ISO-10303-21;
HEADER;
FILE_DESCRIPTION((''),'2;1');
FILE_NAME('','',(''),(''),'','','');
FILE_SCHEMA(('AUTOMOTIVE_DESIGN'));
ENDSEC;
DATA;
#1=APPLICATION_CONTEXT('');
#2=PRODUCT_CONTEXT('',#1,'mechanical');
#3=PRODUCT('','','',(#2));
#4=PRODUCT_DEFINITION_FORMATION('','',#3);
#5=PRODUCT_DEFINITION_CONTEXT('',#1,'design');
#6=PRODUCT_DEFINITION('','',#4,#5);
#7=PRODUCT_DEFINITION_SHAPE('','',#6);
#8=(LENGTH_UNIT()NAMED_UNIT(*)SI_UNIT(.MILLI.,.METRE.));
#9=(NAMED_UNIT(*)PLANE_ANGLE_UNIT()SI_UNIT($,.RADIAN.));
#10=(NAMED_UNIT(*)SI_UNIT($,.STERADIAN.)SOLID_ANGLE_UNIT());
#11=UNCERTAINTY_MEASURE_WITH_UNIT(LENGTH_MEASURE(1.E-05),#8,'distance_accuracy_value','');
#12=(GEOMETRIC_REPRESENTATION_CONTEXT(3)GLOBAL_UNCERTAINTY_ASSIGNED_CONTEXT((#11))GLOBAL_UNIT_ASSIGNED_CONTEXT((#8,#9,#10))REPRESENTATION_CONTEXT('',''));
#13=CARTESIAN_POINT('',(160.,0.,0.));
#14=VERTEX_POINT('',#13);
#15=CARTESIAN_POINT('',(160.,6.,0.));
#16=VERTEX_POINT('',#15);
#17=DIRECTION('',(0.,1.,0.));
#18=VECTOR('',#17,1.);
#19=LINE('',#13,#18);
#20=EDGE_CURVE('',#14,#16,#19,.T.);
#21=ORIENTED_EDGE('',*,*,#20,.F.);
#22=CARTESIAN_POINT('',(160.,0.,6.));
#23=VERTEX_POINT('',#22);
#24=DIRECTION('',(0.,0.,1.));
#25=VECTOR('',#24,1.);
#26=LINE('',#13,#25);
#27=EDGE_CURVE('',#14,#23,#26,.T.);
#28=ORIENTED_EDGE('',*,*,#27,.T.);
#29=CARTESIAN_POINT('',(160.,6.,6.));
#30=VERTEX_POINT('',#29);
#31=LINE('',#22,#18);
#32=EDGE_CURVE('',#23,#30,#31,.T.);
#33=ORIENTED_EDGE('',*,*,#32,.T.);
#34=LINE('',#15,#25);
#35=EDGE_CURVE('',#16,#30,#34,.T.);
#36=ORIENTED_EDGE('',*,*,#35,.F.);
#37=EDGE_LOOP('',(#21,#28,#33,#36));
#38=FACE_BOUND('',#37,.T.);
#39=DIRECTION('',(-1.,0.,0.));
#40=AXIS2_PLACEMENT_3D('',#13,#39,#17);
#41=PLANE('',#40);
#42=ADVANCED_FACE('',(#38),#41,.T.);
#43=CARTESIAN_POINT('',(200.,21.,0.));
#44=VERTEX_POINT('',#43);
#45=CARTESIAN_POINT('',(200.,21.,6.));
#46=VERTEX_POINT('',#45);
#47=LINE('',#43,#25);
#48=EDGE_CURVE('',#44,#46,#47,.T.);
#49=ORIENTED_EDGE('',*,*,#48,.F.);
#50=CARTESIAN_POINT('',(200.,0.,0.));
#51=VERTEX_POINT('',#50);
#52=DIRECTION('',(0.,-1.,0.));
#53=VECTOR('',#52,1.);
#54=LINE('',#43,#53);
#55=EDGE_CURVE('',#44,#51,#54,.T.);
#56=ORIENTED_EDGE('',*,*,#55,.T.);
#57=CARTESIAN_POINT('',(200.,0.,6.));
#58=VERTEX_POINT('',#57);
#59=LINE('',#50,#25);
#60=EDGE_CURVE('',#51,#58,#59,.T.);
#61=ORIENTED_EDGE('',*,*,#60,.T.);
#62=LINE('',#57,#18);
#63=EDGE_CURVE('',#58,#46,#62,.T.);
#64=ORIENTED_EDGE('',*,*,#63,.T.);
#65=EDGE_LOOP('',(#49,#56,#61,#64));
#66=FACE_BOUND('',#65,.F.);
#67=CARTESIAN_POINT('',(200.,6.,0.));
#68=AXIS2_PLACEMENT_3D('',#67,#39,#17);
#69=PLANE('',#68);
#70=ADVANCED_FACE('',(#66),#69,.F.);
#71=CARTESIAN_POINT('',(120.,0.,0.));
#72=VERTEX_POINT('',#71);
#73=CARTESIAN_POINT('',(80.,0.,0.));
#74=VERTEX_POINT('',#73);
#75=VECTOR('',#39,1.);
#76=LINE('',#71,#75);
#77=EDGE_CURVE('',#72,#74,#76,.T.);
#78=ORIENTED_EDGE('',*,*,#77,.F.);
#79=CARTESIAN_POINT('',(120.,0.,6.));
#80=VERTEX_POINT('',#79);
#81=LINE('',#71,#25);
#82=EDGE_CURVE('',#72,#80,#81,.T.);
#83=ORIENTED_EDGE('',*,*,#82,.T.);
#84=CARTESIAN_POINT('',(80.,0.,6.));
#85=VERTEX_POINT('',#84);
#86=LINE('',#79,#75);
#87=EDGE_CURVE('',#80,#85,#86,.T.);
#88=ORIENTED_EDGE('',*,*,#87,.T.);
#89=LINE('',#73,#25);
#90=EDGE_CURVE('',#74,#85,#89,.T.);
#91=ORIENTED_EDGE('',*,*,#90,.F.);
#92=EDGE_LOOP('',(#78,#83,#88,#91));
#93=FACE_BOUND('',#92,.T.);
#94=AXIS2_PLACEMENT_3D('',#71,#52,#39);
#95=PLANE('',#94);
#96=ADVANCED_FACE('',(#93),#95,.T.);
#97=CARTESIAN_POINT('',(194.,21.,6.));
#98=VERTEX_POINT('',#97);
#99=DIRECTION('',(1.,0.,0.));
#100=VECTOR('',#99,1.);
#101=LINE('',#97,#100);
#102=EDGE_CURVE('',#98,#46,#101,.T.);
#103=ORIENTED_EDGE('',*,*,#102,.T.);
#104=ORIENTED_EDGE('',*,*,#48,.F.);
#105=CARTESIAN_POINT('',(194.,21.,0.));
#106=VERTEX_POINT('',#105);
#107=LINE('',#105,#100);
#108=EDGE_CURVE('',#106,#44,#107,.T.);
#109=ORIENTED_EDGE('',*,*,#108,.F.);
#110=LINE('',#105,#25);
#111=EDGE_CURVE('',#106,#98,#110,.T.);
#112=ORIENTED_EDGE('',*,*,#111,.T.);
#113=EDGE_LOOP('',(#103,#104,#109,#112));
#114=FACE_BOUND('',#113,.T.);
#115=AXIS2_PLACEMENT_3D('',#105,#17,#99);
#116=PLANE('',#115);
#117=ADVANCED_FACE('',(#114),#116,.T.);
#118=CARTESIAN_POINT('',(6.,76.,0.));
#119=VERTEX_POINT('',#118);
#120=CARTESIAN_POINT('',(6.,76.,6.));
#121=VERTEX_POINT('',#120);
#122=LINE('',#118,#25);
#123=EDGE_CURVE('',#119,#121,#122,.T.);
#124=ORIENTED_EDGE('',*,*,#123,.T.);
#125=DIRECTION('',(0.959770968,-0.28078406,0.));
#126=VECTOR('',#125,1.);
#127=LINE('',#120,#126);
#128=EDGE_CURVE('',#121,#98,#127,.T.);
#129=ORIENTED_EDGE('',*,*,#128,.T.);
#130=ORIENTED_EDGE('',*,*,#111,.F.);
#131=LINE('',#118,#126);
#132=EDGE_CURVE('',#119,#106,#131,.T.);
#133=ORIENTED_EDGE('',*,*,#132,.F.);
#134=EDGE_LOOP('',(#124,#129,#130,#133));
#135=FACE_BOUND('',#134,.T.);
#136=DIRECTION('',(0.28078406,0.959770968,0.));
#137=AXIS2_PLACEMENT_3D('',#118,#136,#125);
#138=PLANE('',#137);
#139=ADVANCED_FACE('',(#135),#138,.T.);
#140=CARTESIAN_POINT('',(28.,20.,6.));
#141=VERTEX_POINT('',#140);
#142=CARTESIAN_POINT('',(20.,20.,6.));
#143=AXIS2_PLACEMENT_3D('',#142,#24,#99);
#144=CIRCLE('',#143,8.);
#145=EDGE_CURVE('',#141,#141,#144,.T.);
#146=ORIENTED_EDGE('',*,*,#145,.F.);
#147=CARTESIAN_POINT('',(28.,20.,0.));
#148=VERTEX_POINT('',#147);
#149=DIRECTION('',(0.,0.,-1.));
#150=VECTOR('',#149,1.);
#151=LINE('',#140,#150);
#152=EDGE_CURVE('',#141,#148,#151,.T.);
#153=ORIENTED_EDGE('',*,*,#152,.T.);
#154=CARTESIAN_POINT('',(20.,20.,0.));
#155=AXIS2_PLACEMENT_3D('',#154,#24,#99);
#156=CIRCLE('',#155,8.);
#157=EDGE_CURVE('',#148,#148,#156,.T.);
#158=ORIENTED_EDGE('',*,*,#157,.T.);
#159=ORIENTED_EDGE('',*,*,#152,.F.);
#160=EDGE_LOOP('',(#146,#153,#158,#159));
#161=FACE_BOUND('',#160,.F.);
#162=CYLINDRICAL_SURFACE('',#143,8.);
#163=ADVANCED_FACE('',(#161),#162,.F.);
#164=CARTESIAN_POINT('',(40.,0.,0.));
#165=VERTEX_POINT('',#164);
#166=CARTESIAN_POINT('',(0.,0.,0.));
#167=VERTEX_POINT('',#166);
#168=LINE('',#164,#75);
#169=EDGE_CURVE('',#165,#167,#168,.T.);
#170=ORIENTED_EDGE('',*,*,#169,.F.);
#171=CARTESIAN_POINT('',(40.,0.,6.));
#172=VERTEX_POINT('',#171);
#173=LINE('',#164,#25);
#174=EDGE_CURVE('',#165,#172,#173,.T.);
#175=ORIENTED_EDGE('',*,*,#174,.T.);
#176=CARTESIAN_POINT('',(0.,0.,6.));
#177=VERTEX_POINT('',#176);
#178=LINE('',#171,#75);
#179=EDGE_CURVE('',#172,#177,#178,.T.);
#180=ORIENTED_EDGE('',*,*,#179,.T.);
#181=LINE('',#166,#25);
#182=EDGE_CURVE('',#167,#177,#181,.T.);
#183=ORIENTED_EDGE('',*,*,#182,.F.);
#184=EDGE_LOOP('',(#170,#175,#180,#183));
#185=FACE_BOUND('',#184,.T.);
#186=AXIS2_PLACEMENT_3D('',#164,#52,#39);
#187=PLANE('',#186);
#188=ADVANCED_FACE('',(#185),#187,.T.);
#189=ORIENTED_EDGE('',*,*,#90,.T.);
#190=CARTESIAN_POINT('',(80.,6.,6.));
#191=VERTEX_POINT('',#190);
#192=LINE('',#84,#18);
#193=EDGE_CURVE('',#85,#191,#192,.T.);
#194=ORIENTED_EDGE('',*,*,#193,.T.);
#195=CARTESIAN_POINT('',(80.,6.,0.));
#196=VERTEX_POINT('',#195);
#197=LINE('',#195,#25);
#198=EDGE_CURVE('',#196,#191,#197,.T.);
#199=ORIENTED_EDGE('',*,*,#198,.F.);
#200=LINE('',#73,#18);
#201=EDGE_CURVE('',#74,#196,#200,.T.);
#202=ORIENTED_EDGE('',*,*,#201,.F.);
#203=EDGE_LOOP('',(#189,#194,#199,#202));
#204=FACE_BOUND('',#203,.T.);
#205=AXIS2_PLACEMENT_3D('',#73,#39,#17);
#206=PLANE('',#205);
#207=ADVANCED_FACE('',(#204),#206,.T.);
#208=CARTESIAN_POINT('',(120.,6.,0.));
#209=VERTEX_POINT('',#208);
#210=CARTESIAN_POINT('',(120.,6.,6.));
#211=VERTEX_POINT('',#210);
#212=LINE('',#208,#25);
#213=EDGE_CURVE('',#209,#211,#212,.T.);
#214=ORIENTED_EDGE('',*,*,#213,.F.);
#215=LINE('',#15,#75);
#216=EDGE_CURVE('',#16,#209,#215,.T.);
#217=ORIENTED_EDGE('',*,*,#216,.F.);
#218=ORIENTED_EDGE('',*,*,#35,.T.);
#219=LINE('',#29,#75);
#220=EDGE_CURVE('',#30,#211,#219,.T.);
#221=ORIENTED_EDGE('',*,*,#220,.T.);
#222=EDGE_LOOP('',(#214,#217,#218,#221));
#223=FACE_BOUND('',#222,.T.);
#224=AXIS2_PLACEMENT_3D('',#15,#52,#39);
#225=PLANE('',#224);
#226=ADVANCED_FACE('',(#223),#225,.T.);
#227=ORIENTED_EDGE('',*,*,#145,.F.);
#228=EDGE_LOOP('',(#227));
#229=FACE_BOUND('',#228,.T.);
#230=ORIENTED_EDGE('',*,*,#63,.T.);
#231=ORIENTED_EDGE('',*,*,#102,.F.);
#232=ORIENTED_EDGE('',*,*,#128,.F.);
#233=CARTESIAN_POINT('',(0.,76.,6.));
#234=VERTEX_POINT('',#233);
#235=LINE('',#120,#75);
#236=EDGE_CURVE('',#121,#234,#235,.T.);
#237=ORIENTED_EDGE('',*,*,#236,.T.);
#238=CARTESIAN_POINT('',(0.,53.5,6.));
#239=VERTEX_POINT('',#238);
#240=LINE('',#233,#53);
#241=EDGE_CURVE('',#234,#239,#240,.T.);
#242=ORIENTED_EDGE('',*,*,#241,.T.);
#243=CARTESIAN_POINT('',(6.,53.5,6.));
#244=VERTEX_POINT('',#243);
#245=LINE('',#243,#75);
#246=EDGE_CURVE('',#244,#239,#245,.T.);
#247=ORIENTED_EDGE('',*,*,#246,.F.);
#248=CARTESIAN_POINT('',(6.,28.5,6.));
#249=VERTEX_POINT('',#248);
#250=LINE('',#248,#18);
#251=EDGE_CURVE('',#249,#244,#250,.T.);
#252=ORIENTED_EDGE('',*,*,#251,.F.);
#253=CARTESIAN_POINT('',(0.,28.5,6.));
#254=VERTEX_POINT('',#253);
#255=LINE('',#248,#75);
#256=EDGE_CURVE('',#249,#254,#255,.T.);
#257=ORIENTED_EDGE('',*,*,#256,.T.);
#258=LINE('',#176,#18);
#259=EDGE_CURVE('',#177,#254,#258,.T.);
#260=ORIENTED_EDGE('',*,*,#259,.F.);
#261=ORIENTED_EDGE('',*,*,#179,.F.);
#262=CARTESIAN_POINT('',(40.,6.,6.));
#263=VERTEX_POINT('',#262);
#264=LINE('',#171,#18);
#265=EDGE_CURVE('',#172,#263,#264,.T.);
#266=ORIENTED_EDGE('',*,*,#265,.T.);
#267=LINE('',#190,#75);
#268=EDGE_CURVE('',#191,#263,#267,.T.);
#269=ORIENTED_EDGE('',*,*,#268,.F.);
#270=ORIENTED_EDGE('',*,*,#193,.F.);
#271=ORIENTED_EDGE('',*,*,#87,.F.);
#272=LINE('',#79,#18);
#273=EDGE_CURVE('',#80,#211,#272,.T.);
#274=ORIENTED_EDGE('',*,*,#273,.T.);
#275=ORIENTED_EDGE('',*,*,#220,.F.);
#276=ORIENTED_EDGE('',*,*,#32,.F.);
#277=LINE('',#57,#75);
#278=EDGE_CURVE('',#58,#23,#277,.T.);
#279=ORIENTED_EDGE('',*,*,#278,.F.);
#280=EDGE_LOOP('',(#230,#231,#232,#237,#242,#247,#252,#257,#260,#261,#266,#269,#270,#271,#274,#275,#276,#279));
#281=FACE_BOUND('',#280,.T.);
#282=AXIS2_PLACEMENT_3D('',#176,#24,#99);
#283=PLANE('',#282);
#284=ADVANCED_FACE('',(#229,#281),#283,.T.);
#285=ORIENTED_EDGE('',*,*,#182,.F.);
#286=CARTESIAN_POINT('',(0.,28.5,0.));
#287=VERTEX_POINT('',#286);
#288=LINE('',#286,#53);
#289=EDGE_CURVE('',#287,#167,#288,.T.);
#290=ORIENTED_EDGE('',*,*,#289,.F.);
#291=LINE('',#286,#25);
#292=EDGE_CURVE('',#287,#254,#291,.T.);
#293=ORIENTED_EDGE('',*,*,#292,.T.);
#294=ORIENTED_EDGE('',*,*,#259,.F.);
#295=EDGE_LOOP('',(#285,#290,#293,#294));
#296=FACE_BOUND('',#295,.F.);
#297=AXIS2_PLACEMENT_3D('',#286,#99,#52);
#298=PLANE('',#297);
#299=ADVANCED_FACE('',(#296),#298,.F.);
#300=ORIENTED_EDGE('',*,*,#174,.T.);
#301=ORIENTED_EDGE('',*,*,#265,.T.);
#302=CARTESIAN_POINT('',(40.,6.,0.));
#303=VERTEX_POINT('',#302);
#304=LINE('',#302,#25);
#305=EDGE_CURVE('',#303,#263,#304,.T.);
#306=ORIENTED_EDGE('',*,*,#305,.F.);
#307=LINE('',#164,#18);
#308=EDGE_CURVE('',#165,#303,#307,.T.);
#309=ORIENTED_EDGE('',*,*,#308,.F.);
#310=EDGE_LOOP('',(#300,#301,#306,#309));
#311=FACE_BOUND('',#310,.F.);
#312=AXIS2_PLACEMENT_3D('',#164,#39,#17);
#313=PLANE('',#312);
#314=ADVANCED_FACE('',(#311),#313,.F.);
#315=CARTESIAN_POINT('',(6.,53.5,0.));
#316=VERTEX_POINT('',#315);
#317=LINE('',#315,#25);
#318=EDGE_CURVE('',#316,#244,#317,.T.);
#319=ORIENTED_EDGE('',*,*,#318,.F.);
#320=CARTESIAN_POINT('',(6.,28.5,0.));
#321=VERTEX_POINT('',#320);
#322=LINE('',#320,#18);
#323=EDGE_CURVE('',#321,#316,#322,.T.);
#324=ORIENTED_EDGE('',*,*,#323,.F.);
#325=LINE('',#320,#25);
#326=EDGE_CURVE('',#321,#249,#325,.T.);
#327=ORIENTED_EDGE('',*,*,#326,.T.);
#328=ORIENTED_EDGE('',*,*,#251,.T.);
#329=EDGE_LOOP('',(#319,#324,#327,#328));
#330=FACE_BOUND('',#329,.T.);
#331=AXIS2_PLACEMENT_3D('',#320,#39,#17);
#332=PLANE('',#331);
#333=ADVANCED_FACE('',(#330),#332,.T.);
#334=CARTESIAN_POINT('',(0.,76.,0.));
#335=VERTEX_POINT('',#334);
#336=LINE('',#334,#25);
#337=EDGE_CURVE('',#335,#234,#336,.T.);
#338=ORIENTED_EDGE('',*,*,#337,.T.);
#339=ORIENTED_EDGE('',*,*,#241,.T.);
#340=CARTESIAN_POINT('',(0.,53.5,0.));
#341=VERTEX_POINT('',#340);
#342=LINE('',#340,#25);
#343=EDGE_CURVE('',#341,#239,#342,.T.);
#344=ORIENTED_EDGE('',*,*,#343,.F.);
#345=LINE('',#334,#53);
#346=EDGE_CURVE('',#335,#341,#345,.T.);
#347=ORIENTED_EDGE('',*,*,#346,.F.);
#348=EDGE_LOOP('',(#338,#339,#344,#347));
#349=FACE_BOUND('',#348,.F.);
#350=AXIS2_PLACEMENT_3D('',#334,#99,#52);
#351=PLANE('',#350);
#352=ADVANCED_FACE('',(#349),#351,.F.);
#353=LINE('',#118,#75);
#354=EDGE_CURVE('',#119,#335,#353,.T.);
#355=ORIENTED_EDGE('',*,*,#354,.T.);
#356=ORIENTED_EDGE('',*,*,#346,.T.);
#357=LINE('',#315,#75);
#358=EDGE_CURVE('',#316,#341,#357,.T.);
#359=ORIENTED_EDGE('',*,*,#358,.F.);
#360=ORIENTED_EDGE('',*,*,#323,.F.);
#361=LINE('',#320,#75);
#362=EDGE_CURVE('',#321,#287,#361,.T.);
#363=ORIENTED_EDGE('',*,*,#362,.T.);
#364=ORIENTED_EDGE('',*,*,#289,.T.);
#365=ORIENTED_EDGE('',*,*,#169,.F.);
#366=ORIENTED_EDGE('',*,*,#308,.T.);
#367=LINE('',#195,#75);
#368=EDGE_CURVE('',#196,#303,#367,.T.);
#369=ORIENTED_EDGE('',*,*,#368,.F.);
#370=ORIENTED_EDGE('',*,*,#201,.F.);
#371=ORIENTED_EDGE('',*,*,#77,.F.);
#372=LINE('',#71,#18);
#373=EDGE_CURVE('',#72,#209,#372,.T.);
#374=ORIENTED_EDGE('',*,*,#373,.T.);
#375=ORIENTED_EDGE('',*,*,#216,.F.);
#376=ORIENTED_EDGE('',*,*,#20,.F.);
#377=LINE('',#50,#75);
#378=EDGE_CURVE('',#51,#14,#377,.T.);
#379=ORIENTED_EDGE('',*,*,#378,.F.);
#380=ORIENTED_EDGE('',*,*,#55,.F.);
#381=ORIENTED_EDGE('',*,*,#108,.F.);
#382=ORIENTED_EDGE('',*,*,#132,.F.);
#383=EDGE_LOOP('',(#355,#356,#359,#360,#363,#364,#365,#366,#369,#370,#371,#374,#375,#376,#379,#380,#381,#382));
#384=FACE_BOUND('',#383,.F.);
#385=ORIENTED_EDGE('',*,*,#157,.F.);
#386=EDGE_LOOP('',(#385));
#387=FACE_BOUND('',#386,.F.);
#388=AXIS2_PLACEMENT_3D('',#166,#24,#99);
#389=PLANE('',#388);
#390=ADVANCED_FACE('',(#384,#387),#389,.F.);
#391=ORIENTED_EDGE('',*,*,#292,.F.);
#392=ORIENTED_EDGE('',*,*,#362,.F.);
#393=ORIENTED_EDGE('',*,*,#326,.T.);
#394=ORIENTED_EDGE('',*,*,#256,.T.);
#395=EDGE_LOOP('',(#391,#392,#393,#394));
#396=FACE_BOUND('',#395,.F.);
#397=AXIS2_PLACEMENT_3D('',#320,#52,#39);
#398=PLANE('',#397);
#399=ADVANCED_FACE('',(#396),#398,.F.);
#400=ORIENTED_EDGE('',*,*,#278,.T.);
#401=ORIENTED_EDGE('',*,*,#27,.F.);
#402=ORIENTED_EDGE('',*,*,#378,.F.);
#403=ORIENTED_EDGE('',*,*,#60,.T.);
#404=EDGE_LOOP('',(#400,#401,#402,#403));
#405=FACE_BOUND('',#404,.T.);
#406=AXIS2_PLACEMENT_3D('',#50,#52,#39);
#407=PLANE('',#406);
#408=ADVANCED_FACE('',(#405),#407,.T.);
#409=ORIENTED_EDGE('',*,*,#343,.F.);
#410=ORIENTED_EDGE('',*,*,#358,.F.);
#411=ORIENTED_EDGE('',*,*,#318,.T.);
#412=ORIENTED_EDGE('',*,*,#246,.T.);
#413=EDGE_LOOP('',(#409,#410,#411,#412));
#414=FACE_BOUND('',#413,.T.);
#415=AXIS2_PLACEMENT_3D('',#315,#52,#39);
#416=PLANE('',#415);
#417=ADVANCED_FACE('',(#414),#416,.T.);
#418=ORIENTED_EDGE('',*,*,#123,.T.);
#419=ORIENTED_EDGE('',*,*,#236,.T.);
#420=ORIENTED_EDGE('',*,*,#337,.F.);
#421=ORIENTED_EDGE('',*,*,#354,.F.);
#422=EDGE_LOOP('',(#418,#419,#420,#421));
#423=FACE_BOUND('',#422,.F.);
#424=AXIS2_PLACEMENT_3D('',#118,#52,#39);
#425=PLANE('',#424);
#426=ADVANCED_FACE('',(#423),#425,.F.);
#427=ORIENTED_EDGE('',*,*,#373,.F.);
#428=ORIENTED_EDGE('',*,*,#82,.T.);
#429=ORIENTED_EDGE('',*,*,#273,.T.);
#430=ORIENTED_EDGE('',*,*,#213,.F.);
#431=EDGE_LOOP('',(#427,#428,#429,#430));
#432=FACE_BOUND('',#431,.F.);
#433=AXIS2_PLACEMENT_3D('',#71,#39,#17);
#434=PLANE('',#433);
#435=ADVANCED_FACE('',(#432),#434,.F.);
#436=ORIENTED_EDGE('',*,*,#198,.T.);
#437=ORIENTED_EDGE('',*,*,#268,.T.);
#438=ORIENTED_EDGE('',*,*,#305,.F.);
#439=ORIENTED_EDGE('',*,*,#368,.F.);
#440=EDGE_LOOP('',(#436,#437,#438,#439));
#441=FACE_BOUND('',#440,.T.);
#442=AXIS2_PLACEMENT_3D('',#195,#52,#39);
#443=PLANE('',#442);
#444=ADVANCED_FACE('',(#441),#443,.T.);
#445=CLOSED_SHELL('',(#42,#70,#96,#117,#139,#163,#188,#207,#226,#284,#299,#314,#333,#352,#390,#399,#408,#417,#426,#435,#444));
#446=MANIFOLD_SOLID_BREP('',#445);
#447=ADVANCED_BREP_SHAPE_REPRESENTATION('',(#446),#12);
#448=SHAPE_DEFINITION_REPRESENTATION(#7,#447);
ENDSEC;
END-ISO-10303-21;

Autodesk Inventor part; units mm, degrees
ref_plane "YZ Plane" through (0, 0, 0) normal (1, 0, 0) x (0, 1, 0)
ref_plane "XZ Plane" through (0, 0, 0) normal (0, 1, 0) x (-1, 0, 0)
ref_plane "XY Plane" through (0, 0, 0) normal (0, 0, 1) x (1, 0, 0)
ref_plane "Work Plane1" through (0, 0, 0) normal (0, 0, 1) x (1, 0, 0)
sketch "Sketch1" plane through (0, 0, 0) normal (0, 0, 1) x (1, 0, 0)
  line L0 (0, 6) -> (40, 6)
  line L1 (0, 0) -> (0, 6)
  line L2 (40, 0) -> (0, 0)
  line L3 (40, 0) -> (40, 6)
  line L4 (80, 0) -> (80, 6)
  line L5 (80, 6) -> (40, 6)
  line L6 (40, 6) -> (40, 0)
  line L7 (40, 0) -> (80, 0)
  line L8 (80, 6) -> (120, 6)
  line L9 (80, 0) -> (80, 6)
  line L10 (120, 0) -> (80, 0)
  line L11 (120, 0) -> (120, 6)
  line L12 (160, 0) -> (160, 6)
  line L13 (160, 6) -> (120, 6)
  line L14 (120, 6) -> (120, 0)
  line L15 (120, 0) -> (160, 0)
  line L16 (160, 6) -> (200, 6)
  line L17 (160, 0) -> (160, 6)
  line L18 (200, 0) -> (160, 0)
  line L19 (200, 6) -> (200, 0)
  line L20 (200, 6) -> (200, 21)
  line L21 (194, 21) -> (200, 21)
  line L22 (194, 21) -> (194, 6)
  line L23 (194, 6) -> (200, 6)
  line L24 (6, 28.5) -> (0, 28.5)
  line L25 (0, 28.5) -> (0, 6)
  line L26 (6, 6) -> (0, 6)
  line L27 (6, 6) -> (6, 28.5)
  line L28 (0, 53.5) -> (0, 28.5)
  line L29 (6, 28.5) -> (0, 28.5)
  line L30 (6, 28.5) -> (6, 53.5)
  line L31 (6, 53.5) -> (0, 53.5)
  line L32 (6, 53.5) -> (0, 53.5)
  line L33 (6, 53.5) -> (6, 76)
  line L34 (6, 76) -> (0, 76)
  line L35 (0, 76) -> (0, 53.5)
  line L36 (6, 76) -> (194, 21)
extrude "Plate1" add sketch "Sketch1" along normal blind 6 contours L25 L24 L27 L0 | L0 L3 L2 L1 | L27 L30 L33 L36 L22 L16 L13 L8 L5 L0 | L35 L34 L33 L31 | L8 L11 L10 L4 | L16 L19 L18 L12 | L21 L20 L16 L22
sketch "Sketch2" plane through (0, 0, 6) normal (0, 0, 1) x (1, 0, 0)
  line L0 (0, 0) -> (0, 28.5) projected
  line L1 (40, 0) -> (0, 0) projected
  line L2 (40, 6) -> (40, 0) projected
  line L3 (80, 6) -> (40, 6) projected
  line L4 (80, 0) -> (80, 6) projected
  line L5 (120, 0) -> (80, 0) projected
  line L6 (120, 6) -> (120, 0) projected
  line L7 (160, 6) -> (120, 6) projected
  line L8 (160, 0) -> (160, 6) projected
  line L9 (200, 0) -> (160, 0) projected
  line L10 (200, 21) -> (200, 0) projected
  line L11 (194, 21) -> (200, 21) projected
  line L12 (6, 76) -> (194, 21) projected
  line L13 (0, 76) -> (6, 76) projected
  line L14 (0, 53.5) -> (0, 76) projected
  line L15 (6, 53.5) -> (0, 53.5) projected
  line L16 (6, 28.5) -> (6, 53.5) projected
  line L17 (0, 28.5) -> (6, 28.5) projected
  circle A0 centre (20, 20) radius 8
  point P0 (0, 0)
  point P1 (20, 0)
  dimension "d1" = 16
  dimension "d2" = 20
extrude "Cut1" cut sketch "Sketch2" against normal blind 6 contours A0
equation "\"d3\" = Thickness"
equation "\"d0\" = Thickness"
equation "\"BendRadius\" = Thickness"
equation "\"BendReliefWidth\" = Thickness"
equation "\"BendReliefDepth\" = 0.5 * Thickness"
equation "\"CornerReliefSize\" = 4 * Thickness"
equation "\"MinimumRemnant\" = 2 * Thickness"
equation "\"TransitionRadius\" = BendRadius"
equation "\"JacobiRadiusSize\" = BendRadius"
equation "\"GapSize\" = Thickness"
equation "\"Thickness\" = 6"
properties part number "zijkant elektrobox voor knop" material "Wood (Birch)"
